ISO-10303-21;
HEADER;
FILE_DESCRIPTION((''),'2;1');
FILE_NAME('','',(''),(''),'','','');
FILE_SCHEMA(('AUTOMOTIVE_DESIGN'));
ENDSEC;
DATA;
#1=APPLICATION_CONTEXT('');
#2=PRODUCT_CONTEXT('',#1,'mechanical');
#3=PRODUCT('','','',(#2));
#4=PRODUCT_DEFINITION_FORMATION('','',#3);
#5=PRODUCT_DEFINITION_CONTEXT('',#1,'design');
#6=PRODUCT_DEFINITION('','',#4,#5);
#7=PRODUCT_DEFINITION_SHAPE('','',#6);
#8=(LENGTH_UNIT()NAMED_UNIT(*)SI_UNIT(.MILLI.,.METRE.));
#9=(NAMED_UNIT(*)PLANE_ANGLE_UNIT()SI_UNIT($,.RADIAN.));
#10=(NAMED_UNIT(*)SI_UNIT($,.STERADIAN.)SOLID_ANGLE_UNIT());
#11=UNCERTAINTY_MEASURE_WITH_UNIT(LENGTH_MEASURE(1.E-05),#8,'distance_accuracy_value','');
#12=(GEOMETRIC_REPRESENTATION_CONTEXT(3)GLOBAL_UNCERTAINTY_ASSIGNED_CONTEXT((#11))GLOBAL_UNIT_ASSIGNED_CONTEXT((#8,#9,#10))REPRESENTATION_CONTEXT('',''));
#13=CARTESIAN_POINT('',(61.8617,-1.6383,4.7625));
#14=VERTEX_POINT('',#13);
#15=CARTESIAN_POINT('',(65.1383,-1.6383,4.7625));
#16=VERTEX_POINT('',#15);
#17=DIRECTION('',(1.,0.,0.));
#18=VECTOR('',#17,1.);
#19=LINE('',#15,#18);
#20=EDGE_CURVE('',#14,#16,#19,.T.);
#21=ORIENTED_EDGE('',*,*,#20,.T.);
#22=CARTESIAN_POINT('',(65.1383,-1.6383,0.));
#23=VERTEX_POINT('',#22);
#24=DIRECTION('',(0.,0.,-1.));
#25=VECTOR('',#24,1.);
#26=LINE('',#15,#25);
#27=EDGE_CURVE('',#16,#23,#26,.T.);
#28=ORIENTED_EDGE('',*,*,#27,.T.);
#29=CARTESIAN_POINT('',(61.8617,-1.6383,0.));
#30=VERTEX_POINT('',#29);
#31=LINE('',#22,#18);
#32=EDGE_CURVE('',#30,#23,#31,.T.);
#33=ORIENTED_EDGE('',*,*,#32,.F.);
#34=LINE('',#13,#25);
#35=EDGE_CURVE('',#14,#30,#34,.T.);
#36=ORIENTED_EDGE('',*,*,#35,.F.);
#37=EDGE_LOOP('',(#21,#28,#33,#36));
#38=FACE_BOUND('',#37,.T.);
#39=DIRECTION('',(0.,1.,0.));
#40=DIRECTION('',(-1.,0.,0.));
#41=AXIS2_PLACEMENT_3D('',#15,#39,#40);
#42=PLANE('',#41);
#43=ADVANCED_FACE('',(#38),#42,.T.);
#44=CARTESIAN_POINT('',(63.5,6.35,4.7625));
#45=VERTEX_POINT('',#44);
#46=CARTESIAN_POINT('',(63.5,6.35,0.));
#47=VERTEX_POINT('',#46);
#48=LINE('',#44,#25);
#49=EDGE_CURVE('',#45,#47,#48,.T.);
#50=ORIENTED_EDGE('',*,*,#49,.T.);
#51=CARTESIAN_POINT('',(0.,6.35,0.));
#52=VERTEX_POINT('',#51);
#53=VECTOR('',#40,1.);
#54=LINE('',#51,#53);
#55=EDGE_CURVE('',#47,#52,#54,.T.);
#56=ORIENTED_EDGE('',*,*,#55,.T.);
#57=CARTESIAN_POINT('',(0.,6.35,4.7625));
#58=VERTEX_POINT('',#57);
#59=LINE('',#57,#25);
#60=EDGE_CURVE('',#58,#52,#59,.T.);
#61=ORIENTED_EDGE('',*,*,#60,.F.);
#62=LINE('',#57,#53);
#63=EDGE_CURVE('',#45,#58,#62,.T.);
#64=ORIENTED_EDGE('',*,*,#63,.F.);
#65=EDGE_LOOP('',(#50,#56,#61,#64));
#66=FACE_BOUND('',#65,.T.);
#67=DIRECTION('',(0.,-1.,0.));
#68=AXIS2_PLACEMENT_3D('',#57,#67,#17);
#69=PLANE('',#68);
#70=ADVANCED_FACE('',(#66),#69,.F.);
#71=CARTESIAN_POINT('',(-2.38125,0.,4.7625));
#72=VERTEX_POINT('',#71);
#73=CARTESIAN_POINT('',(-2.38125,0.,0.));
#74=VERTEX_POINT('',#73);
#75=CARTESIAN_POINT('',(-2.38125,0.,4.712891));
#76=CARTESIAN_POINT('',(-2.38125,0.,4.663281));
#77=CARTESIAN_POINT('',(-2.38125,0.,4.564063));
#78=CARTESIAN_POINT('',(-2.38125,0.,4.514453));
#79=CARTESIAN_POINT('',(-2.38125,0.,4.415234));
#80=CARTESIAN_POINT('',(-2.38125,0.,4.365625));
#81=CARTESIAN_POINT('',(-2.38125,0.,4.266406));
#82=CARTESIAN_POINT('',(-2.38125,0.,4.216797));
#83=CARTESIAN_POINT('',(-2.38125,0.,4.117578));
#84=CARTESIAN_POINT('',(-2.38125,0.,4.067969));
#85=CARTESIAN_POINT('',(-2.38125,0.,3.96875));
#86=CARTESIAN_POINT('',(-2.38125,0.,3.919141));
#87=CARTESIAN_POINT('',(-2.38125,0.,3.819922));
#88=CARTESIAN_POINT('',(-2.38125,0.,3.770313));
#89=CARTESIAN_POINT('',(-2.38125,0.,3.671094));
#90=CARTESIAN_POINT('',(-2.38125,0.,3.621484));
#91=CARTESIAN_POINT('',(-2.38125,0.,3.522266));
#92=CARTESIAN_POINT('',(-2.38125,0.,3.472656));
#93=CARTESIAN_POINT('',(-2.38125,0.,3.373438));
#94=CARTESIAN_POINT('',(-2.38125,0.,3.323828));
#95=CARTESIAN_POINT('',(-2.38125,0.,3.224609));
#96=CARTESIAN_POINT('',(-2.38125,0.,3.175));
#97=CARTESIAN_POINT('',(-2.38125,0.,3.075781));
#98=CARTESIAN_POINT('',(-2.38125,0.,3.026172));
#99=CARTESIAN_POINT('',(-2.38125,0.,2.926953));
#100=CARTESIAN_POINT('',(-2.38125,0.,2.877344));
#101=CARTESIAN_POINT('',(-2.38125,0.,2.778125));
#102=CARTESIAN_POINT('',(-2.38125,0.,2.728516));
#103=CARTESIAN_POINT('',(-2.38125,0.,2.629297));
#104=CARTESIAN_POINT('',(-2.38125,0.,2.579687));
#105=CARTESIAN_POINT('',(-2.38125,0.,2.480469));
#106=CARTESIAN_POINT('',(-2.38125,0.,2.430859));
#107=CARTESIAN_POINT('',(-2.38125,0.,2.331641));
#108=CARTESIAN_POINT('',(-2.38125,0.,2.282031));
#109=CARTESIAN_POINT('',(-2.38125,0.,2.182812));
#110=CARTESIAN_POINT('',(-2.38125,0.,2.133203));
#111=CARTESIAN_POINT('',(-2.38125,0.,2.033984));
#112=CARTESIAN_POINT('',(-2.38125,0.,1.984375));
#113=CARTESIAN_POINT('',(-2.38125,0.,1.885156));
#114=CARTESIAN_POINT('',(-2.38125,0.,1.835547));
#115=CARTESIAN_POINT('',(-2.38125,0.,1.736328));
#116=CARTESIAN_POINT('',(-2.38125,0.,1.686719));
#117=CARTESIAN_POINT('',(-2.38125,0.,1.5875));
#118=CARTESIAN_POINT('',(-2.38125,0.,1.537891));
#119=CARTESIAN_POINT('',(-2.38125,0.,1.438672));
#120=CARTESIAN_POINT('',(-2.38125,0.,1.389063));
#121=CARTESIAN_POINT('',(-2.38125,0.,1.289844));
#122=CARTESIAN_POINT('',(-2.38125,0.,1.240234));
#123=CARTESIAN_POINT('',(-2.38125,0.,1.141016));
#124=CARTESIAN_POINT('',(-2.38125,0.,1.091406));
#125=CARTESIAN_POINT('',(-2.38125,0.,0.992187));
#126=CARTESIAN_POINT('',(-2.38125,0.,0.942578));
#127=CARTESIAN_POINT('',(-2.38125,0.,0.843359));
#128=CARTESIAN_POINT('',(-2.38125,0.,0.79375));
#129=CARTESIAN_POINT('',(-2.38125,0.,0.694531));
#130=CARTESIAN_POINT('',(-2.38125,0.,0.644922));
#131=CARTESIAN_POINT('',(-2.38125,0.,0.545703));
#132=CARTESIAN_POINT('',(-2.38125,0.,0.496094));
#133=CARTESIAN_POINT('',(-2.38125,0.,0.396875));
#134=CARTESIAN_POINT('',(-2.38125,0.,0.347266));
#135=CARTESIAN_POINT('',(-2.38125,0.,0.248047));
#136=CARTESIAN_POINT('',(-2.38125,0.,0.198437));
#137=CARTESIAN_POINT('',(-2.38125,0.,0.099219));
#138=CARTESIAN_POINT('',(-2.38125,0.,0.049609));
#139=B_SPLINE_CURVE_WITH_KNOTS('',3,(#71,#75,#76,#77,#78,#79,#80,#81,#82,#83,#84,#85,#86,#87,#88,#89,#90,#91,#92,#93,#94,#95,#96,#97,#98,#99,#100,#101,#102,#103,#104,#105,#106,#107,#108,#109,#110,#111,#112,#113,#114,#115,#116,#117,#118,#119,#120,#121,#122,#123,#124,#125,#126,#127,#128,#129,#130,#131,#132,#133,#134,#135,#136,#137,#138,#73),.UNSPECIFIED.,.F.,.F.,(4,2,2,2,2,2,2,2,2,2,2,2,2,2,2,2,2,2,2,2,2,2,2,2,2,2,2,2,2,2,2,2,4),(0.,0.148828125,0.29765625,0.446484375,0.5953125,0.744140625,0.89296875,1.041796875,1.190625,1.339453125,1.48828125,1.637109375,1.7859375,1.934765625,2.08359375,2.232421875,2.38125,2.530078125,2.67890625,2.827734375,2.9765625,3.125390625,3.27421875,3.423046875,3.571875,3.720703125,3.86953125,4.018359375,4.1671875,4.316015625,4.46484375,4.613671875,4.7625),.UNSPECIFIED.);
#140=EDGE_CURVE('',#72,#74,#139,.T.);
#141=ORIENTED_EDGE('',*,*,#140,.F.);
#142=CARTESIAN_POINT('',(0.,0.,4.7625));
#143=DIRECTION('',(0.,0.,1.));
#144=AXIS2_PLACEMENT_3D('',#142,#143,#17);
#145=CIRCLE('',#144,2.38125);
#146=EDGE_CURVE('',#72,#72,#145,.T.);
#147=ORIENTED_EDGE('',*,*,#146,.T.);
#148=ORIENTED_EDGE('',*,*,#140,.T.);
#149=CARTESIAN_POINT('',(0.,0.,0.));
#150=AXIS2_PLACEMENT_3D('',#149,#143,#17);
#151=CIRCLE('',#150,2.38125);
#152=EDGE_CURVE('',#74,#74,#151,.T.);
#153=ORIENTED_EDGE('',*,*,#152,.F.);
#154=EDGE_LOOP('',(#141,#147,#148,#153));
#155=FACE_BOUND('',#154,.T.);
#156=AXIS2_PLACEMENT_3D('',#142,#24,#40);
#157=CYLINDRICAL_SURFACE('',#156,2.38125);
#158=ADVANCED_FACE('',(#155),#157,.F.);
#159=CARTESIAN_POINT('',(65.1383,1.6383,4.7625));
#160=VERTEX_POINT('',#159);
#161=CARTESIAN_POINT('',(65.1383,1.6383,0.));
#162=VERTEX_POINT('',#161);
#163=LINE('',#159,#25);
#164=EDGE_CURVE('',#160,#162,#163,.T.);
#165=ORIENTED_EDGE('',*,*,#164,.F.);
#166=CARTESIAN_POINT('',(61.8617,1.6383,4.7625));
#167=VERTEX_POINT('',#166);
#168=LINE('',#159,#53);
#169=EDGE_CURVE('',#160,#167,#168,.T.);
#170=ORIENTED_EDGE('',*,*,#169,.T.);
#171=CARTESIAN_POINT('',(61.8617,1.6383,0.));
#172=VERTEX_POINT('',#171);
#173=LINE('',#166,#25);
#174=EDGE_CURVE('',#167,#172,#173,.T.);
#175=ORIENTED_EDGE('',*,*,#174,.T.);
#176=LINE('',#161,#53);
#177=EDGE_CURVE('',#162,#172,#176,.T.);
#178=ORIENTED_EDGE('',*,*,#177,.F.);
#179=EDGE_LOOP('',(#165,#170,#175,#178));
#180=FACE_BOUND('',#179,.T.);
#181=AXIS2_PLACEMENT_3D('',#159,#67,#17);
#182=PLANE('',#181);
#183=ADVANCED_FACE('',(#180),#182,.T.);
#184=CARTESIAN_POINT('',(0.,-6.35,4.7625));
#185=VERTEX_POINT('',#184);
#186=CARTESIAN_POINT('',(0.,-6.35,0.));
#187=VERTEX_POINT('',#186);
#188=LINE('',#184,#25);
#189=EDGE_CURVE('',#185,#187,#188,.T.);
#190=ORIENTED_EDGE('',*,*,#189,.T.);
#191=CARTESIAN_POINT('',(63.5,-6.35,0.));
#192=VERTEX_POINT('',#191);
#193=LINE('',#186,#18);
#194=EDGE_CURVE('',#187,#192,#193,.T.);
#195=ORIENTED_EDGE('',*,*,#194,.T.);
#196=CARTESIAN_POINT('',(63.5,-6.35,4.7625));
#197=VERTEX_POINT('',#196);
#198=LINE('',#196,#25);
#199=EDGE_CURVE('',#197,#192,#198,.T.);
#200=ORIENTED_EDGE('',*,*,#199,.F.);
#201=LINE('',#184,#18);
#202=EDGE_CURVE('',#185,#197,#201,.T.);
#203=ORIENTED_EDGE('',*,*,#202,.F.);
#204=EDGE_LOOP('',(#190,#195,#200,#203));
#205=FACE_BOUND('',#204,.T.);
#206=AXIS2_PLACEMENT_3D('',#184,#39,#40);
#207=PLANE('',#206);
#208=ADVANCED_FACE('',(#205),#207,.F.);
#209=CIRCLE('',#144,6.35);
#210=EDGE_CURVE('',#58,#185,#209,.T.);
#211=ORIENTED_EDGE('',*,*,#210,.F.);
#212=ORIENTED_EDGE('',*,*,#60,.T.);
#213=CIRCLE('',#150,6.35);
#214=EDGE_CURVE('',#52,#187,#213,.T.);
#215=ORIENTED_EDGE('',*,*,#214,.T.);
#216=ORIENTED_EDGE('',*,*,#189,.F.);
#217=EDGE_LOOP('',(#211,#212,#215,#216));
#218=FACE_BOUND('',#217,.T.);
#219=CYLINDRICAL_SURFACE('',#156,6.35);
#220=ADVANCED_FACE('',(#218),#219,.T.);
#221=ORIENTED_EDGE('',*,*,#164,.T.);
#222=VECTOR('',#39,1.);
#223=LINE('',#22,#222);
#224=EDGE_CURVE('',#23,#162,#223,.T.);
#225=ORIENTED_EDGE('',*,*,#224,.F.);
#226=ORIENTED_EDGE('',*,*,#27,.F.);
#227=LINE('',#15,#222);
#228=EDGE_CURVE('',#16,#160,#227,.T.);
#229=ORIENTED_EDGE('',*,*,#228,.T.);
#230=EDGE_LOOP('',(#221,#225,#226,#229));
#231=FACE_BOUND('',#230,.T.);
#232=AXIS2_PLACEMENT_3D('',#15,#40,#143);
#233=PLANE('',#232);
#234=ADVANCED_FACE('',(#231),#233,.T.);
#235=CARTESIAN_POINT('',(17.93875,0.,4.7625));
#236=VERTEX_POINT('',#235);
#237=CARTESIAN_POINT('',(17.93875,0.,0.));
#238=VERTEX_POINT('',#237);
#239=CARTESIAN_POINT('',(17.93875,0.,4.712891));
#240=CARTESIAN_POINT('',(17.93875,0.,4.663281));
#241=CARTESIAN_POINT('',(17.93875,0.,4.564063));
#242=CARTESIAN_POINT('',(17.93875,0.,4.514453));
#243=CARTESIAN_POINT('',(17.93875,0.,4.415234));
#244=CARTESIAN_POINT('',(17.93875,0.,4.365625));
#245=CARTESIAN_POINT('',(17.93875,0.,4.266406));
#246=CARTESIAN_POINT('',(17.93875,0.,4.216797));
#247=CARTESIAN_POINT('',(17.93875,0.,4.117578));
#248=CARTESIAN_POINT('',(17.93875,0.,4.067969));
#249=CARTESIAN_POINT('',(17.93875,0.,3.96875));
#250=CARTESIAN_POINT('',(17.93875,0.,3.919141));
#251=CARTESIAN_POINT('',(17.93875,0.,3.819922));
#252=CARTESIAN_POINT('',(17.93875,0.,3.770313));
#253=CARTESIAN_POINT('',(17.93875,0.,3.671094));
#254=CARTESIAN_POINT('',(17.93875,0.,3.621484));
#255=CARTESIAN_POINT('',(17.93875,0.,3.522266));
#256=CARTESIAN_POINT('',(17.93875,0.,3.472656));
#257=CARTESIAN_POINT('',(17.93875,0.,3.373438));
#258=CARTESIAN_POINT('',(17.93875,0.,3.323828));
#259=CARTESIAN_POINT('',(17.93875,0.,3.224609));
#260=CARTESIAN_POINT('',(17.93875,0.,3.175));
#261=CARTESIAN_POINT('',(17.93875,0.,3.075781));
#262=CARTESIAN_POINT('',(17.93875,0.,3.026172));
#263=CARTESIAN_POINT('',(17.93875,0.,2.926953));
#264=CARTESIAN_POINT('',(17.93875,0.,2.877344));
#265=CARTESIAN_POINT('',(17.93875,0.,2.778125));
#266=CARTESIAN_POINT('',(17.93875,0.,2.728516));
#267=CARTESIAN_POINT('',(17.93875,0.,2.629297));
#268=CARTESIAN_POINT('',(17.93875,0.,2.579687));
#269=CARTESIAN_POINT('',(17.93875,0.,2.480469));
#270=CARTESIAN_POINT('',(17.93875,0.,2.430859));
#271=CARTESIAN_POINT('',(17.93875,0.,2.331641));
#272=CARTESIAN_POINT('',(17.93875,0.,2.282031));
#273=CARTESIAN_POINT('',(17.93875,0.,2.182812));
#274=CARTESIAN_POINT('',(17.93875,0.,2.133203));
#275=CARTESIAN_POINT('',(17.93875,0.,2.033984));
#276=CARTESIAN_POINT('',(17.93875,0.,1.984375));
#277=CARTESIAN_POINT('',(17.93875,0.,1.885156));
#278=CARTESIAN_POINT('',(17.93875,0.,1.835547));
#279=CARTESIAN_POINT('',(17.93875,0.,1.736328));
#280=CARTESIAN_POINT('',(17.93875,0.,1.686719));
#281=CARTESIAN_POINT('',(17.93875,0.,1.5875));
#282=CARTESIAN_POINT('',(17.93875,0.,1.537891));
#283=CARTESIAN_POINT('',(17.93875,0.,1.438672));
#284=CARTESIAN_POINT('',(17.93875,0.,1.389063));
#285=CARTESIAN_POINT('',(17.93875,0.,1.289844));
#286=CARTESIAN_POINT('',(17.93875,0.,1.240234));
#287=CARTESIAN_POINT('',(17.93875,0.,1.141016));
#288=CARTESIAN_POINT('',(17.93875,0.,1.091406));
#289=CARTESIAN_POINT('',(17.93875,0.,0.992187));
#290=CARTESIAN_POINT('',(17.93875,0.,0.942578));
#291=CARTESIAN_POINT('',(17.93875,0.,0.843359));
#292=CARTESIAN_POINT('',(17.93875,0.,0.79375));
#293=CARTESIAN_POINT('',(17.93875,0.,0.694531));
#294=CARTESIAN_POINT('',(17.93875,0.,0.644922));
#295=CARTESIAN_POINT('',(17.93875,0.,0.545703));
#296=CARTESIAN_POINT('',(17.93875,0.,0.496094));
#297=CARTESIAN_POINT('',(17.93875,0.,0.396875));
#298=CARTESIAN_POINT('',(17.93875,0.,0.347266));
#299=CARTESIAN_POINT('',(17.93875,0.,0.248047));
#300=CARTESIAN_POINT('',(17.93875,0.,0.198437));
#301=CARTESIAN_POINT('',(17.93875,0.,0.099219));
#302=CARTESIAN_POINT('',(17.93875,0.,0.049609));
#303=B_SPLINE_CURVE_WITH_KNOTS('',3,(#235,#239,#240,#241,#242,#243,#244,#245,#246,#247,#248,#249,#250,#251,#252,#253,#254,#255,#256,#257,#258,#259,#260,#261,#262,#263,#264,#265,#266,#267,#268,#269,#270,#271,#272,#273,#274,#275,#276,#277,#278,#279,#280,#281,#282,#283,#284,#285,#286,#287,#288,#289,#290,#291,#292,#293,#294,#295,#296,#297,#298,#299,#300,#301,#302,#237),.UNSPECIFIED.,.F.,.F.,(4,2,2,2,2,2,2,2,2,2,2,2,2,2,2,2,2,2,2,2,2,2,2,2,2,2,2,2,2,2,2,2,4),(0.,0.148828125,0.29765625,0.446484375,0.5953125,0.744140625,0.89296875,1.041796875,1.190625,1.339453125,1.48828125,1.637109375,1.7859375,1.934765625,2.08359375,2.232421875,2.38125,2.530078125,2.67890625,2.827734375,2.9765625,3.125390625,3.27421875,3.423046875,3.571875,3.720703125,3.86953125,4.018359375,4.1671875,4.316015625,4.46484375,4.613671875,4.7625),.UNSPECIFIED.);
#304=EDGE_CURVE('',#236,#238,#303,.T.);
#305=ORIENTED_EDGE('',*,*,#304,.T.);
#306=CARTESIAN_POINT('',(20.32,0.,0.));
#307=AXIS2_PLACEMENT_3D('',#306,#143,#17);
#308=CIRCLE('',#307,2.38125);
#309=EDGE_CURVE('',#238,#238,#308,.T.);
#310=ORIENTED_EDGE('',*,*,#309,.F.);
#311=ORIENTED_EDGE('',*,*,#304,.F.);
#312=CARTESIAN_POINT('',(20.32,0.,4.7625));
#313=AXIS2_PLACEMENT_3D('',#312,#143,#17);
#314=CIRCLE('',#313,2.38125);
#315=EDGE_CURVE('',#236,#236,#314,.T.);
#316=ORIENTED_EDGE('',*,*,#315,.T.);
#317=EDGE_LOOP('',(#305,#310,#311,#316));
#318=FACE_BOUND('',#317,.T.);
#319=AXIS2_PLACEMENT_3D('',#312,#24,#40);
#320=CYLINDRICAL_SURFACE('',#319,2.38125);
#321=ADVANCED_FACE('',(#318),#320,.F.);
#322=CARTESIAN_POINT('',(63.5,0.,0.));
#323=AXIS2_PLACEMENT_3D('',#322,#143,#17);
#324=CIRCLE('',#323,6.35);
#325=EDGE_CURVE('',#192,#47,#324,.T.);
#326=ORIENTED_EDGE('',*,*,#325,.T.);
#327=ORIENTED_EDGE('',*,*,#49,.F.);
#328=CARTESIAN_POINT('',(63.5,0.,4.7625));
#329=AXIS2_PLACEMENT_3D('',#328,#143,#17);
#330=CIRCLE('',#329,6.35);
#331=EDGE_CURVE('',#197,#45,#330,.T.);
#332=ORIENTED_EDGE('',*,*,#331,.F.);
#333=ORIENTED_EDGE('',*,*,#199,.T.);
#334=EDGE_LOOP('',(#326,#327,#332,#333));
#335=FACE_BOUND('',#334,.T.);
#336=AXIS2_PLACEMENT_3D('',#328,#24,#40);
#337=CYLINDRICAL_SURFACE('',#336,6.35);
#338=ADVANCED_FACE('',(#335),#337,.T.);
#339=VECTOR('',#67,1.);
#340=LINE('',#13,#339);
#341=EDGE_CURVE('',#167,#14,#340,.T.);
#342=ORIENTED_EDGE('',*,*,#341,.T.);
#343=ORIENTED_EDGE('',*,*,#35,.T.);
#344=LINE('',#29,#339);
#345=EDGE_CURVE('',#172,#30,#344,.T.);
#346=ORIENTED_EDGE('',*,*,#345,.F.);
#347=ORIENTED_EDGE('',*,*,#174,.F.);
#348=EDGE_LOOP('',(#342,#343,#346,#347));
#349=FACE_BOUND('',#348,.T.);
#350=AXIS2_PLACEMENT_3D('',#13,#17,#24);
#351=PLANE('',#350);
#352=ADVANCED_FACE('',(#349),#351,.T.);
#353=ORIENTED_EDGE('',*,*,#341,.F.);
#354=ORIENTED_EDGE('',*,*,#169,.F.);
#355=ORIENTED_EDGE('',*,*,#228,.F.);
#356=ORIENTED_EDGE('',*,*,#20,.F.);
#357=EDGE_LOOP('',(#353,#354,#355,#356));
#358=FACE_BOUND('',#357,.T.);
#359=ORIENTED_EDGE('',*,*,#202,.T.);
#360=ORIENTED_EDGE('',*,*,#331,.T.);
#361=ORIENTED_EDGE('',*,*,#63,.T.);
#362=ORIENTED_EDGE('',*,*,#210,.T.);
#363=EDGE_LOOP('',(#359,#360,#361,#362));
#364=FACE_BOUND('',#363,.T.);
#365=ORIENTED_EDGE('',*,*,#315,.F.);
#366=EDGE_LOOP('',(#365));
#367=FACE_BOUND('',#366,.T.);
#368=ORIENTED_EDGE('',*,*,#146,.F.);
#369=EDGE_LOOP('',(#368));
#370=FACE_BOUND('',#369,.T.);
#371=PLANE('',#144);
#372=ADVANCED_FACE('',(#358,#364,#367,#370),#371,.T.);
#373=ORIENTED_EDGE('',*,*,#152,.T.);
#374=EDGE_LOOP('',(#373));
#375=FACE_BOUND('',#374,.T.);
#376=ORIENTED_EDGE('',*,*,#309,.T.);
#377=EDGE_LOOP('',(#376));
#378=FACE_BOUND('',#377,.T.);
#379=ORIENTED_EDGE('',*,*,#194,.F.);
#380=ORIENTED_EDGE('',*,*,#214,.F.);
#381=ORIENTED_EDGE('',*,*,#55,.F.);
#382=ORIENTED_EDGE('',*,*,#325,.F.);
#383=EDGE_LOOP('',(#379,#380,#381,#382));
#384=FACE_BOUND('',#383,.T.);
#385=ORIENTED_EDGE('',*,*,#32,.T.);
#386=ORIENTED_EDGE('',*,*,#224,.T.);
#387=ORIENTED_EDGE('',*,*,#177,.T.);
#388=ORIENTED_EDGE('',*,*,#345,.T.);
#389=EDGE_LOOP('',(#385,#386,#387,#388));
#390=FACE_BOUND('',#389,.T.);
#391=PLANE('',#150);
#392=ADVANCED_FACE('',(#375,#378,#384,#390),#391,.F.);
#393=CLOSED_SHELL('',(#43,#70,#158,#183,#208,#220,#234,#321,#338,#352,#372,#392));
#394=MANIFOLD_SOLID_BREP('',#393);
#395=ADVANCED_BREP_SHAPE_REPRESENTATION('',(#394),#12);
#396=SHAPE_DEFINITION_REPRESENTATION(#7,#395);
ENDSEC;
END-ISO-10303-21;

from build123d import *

# Parameters (mm, degrees)
SKETCH1_R           = 2.38125
SKETCH1_W           = 3.2766
SKETCH1_H           = 3.2766
BOSS_EXTRUDE1_DEPTH = 4.7625


with BuildPart() as part:
    # Sketch1 → Boss-Extrude1 (new body)
    with BuildSketch(Plane.XY):
        with BuildLine():
            Line((0, 6.35), (63.5, 6.35))
            ThreePointArc((63.5, 6.35), (69.85, 0), (63.5, -6.35))
            Line((63.5, -6.35), (0, -6.35))
            ThreePointArc((0, -6.35), (-6.35, 0), (0, 6.35))
        make_face()
        with Locations(Location((0, 0, 0), (0, 0, 180))):
            Circle(SKETCH1_R, mode=Mode.SUBTRACT)
        with Locations(Location((20.32, 0, 0), (0, 0, 180))):
            Circle(SKETCH1_R, mode=Mode.SUBTRACT)
        with Locations((63.5, 0)):
            Rectangle(SKETCH1_W, SKETCH1_H, mode=Mode.SUBTRACT)
    extrude(amount=BOSS_EXTRUDE1_DEPTH)


solid = part.part
